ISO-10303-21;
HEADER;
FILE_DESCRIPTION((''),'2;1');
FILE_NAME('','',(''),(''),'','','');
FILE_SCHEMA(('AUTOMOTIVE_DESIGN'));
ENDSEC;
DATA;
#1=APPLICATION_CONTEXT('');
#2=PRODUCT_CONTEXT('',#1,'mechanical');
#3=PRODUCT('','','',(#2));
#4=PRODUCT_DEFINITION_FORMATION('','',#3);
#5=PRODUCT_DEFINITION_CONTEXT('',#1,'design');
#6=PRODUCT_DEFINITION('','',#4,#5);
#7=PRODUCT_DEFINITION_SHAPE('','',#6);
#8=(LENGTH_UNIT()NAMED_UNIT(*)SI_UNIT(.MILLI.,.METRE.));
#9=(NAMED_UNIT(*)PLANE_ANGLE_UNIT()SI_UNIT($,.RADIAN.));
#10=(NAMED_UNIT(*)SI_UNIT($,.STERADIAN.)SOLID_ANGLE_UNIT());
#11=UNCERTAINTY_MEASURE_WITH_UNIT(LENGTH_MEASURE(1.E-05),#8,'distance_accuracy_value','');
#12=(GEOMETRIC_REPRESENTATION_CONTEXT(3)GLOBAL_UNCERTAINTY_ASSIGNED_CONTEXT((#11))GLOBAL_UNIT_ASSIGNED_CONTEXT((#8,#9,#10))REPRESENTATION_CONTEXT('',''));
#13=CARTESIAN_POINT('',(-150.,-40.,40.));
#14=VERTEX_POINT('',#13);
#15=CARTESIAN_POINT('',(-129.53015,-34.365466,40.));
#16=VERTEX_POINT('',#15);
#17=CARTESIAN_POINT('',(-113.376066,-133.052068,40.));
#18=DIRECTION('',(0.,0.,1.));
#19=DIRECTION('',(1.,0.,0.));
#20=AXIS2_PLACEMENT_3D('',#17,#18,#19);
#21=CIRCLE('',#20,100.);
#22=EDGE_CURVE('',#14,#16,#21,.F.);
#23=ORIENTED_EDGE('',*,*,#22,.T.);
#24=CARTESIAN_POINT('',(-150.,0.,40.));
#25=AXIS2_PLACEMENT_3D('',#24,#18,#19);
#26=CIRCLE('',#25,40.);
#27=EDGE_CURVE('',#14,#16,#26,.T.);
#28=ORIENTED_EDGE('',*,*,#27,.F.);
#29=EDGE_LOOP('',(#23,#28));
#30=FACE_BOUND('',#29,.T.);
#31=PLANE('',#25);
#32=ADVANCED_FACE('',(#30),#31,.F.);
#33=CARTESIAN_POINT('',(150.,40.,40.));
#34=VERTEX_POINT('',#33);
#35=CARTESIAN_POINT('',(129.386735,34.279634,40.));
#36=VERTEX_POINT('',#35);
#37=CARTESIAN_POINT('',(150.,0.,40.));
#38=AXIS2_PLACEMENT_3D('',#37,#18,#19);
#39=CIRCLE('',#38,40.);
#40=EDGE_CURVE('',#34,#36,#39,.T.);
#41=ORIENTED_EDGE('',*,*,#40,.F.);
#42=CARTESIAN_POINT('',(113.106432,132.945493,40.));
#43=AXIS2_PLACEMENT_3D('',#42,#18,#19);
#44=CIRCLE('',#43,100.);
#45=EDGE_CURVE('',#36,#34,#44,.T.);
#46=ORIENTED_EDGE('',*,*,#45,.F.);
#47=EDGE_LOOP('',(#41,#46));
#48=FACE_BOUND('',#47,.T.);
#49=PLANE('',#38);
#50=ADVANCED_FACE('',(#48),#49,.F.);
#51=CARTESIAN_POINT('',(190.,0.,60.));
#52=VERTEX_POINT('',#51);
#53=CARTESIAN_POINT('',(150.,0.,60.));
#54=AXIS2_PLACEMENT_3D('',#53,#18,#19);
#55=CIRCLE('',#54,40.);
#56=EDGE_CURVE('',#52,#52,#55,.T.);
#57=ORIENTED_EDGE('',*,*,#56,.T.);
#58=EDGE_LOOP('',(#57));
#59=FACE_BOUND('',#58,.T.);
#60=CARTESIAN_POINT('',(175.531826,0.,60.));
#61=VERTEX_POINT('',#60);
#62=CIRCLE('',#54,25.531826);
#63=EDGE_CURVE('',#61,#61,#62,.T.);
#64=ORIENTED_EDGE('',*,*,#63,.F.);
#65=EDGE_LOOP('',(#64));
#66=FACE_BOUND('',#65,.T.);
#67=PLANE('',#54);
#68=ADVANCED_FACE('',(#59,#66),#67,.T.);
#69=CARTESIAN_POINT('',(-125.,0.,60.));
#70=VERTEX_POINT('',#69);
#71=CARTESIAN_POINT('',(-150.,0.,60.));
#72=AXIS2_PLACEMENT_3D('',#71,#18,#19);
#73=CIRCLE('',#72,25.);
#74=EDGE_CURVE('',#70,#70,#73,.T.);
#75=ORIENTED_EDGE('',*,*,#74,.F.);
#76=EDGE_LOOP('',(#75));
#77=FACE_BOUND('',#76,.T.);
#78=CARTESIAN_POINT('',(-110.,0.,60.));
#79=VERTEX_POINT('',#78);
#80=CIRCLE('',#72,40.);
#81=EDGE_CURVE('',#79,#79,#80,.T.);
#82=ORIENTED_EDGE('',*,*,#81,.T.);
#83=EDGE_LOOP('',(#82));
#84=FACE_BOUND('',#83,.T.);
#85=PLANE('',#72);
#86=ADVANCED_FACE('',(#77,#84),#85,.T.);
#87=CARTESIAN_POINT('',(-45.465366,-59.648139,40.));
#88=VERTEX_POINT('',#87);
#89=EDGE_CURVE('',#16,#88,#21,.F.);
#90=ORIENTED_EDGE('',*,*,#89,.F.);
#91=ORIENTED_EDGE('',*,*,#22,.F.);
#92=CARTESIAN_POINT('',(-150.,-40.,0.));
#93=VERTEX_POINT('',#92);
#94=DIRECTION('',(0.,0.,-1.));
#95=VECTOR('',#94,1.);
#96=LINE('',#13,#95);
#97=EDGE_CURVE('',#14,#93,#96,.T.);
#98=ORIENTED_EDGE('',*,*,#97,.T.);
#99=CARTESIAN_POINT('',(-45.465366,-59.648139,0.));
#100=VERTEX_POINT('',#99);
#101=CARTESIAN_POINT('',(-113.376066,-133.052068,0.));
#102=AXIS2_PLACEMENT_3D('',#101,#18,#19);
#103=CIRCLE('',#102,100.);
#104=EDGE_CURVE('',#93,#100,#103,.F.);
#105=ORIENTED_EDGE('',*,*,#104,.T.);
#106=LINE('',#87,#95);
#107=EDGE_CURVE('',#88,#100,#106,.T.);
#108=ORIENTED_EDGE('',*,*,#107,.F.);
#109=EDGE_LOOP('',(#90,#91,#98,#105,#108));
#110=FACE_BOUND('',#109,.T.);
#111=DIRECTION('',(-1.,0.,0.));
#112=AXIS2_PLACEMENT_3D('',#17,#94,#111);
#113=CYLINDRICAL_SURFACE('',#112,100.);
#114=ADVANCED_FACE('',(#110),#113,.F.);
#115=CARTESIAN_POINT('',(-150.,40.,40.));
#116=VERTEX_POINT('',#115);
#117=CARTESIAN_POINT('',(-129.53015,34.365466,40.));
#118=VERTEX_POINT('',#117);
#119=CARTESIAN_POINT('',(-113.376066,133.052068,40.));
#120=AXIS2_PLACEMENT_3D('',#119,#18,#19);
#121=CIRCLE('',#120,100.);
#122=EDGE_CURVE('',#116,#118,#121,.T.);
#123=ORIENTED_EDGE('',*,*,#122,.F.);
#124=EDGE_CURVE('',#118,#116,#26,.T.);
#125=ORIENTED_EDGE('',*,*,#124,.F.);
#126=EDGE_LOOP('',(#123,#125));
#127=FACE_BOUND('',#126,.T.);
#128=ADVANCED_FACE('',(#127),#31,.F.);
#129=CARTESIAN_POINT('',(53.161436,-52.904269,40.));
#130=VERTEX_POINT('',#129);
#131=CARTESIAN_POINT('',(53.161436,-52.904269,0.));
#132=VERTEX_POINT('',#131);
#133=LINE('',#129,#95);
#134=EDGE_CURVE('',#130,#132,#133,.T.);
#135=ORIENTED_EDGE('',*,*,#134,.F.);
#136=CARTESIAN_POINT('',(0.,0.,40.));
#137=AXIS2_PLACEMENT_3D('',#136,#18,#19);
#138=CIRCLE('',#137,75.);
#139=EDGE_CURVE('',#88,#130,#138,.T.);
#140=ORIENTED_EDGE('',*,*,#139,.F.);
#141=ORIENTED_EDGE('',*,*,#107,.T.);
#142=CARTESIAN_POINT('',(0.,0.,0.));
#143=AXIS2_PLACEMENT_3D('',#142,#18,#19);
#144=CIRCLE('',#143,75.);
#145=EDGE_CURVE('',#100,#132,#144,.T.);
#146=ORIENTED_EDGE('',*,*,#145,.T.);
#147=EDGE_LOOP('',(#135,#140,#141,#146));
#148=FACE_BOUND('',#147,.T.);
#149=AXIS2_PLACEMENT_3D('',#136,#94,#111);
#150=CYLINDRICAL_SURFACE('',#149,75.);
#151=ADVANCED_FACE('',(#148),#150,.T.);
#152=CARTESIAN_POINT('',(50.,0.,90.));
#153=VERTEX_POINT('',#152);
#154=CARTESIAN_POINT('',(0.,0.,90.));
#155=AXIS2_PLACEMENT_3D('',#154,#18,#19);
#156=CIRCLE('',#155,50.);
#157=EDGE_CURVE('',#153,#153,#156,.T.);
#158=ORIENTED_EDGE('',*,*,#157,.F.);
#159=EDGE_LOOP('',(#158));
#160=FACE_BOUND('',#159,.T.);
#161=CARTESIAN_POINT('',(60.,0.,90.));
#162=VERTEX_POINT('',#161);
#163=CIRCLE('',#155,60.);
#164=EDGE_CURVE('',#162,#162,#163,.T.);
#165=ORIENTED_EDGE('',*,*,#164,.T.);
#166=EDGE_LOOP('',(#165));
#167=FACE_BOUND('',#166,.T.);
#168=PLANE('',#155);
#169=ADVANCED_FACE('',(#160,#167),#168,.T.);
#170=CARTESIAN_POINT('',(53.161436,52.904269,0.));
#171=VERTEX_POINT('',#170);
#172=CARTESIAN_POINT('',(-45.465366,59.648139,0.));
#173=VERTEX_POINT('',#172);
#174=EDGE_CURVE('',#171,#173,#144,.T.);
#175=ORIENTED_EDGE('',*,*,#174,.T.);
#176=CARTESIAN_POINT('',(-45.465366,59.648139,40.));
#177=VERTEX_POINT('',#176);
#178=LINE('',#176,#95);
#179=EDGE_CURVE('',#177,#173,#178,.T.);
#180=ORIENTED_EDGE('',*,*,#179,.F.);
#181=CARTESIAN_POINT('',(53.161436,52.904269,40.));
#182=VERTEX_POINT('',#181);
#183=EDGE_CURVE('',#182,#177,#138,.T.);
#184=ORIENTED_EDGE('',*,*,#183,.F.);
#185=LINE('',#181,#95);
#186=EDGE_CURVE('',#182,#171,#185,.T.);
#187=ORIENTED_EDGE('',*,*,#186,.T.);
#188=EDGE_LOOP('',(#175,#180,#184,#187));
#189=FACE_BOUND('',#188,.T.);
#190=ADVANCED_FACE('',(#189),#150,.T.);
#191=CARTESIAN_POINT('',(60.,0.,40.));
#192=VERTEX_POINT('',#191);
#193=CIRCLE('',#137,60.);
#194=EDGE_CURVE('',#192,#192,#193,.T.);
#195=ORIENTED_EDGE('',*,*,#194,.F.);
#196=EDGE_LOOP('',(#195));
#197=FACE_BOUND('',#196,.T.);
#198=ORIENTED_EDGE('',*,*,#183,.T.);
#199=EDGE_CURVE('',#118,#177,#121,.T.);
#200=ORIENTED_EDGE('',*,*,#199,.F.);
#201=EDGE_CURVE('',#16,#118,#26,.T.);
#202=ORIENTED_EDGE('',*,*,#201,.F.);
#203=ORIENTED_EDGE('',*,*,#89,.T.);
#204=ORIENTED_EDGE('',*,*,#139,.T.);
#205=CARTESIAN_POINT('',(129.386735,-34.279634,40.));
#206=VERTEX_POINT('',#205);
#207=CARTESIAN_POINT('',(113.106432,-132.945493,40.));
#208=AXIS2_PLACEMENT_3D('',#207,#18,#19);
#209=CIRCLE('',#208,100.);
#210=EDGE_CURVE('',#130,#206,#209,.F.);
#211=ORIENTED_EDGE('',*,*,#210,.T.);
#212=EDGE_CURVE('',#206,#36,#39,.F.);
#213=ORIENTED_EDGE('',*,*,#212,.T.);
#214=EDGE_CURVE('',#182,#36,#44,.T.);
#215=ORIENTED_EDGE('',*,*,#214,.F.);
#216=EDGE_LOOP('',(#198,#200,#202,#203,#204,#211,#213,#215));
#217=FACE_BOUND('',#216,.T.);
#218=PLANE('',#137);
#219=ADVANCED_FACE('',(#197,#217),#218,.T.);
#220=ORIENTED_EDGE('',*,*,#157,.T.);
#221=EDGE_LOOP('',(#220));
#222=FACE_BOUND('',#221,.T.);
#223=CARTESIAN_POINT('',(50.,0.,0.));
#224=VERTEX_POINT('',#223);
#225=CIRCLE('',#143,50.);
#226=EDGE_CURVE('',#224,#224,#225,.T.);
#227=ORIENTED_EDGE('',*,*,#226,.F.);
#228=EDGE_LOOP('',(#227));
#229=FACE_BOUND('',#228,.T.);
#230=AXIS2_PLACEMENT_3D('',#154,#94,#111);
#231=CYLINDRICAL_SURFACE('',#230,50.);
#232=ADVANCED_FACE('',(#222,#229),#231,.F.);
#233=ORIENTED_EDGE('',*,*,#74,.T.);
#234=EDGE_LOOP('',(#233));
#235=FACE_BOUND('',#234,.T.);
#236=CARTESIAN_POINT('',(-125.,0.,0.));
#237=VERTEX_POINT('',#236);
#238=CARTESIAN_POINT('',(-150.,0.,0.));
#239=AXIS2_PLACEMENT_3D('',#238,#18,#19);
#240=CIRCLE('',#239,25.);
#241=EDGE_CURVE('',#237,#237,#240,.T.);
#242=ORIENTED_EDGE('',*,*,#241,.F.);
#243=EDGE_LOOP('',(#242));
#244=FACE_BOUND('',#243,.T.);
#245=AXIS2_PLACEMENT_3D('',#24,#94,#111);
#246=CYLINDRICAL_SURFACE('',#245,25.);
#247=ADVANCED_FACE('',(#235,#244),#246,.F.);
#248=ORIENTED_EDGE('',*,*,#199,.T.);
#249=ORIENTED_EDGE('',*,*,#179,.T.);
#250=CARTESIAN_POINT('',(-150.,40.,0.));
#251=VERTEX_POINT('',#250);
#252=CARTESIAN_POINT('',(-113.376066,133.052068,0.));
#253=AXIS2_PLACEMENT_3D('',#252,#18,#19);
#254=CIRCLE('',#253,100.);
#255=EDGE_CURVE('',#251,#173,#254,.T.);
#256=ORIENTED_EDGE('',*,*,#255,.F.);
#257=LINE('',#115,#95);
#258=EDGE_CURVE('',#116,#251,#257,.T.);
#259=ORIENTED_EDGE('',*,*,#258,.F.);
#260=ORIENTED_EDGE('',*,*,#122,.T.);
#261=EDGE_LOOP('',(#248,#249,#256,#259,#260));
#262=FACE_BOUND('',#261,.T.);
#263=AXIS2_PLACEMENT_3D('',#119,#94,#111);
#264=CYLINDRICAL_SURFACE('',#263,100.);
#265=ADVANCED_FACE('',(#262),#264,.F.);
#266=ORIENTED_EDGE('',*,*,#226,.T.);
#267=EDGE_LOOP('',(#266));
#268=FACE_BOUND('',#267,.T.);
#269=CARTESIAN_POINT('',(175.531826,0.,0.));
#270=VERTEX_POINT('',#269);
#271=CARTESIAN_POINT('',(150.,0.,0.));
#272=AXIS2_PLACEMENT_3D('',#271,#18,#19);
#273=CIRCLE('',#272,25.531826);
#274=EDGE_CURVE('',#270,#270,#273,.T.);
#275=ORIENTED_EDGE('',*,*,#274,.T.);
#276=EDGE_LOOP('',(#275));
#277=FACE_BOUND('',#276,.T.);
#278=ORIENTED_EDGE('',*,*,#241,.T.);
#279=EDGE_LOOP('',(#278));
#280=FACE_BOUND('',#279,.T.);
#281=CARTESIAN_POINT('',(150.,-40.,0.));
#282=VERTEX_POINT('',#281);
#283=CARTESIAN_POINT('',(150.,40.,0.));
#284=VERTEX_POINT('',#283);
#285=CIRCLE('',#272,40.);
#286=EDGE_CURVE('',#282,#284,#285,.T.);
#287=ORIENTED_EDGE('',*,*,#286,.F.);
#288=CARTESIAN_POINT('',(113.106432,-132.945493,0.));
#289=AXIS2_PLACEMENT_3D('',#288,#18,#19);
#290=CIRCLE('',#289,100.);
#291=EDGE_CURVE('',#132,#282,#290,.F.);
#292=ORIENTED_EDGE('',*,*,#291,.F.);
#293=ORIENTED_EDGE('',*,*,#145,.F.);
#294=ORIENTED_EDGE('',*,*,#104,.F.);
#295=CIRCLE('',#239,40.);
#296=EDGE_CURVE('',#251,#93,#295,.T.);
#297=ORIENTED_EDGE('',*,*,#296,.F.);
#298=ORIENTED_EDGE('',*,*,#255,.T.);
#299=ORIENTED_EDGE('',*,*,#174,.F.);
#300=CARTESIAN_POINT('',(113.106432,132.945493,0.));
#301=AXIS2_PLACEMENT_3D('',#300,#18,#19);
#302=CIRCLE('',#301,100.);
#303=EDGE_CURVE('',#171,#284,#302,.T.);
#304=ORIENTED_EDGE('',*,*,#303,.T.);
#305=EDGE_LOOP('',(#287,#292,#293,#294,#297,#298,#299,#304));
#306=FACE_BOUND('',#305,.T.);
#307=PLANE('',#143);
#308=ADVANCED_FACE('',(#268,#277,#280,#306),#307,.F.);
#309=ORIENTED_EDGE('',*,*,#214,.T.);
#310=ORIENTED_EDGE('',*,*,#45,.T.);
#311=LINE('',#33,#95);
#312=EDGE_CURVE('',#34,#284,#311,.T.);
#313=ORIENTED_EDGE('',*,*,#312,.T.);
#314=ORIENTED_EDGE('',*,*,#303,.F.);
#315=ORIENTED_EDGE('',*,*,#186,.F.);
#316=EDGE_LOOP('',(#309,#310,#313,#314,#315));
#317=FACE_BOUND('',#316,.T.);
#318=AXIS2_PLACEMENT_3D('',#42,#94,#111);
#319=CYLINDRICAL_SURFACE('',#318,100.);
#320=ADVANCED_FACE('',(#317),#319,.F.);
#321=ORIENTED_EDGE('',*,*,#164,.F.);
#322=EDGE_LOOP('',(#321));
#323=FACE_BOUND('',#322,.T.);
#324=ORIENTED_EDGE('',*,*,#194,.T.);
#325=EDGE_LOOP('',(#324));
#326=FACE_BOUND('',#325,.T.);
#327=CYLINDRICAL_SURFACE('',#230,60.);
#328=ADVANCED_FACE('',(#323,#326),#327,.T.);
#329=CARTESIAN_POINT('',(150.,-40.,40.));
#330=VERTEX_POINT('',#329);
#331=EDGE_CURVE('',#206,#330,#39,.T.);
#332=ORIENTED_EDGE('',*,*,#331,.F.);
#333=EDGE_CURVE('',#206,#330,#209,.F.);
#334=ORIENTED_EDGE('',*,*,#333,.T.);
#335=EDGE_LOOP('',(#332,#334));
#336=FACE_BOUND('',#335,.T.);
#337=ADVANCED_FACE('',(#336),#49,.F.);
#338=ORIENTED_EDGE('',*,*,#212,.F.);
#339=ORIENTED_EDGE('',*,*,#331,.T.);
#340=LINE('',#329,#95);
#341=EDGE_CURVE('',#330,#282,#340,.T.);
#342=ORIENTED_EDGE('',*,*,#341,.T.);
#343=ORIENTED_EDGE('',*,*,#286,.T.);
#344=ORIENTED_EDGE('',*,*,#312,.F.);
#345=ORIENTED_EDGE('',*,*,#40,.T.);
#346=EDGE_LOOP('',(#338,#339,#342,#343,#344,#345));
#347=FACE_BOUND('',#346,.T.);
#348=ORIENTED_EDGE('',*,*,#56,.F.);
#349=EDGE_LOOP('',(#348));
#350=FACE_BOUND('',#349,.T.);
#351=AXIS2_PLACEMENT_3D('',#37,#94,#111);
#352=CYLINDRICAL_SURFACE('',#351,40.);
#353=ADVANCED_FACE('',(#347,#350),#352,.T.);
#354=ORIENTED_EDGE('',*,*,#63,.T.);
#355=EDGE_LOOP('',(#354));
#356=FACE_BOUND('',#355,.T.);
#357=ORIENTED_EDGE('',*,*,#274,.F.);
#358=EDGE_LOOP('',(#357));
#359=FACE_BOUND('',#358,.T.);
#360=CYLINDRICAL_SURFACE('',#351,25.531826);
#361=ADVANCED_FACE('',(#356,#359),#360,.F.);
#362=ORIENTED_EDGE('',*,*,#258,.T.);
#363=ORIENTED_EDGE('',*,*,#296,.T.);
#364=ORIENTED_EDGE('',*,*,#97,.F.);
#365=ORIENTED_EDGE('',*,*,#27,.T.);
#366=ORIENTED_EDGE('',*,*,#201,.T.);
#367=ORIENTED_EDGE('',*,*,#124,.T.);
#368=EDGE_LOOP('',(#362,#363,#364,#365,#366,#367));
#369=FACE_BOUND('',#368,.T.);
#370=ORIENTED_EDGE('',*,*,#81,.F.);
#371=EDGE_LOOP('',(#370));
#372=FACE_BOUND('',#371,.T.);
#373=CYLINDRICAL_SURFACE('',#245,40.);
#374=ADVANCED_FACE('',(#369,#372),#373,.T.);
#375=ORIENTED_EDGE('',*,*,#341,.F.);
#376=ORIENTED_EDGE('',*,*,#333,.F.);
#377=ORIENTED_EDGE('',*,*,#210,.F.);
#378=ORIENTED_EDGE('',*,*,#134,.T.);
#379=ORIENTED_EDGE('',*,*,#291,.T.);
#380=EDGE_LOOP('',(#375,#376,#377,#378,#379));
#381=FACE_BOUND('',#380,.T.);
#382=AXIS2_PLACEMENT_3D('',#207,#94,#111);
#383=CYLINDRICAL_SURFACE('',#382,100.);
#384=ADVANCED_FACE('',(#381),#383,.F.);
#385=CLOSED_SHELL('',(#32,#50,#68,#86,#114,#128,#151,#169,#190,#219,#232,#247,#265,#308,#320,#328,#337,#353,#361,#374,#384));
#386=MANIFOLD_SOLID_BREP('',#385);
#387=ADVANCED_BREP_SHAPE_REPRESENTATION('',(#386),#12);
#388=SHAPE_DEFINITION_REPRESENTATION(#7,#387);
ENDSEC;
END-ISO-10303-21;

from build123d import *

# Parameters (mm, degrees)
SKETCH1_R           = 25
SKETCH1_R_2         = 25.531825786
BOSS_EXTRUDE1_DEPTH = 40
SKETCH2_R           = 40
SKETCH2_R_2         = 25
SKETCH2_R_3         = 25.531825786
BOSS_EXTRUDE2_DEPTH = 20
SKETCH3_R           = 60
SKETCH3_R_2         = 50
BOSS_EXTRUDE3_DEPTH = 50
SKETCH4_R           = 50
CUT_EXTRUDE1_DEPTH  = 50


with BuildPart() as part:
    # Sketch1 → Boss-Extrude1 (new body)
    with BuildSketch(Plane.XY):
        with BuildLine():
            ThreePointArc((-150, -40), (-94.903714286, -34.773015604), (-45.465365878, -59.648139163))
            ThreePointArc((-45.465365878, -59.648139163), (5.116377771, -74.825281012), (53.161436396, -52.904269017))
            ThreePointArc((53.161436396, -52.904269017), (99.897642557, -33.821692035), (150, -40))
            ThreePointArc((150, -40), (190, 0), (150, 40))
            ThreePointArc((150, 40), (99.897642557, 33.821692035), (53.161436396, 52.904269017))
            ThreePointArc((53.161436396, 52.904269017), (5.116377771, 74.825281012), (-45.465365878, 59.648139163))
            ThreePointArc((-45.465365878, 59.648139163), (-94.903714286, 34.773015604), (-150, 40))
            ThreePointArc((-150, 40), (-190, 0), (-150, -40))
        make_face()
        with Locations((-150, 0)):
            Circle(SKETCH1_R, mode=Mode.SUBTRACT)
        with Locations((150, 0)):
            Circle(SKETCH1_R_2, mode=Mode.SUBTRACT)
    extrude(amount=BOSS_EXTRUDE1_DEPTH)

    # Sketch2 → Boss-Extrude2 (add)
    with BuildSketch(Plane.XY.offset(40)):
        with Locations((-150, 0)):
            Circle(SKETCH2_R)
        with Locations((-150, 0)):
            Circle(SKETCH2_R_2, mode=Mode.SUBTRACT)
        with Locations((150, 0)):
            Circle(SKETCH2_R)
        with Locations((150, 0)):
            Circle(SKETCH2_R_3, mode=Mode.SUBTRACT)
    extrude(amount=BOSS_EXTRUDE2_DEPTH)

    # Sketch3 → Boss-Extrude3 (add)
    with BuildSketch(Plane.XY.offset(40)):
        Circle(SKETCH3_R)
        Circle(SKETCH3_R_2, mode=Mode.SUBTRACT)
    extrude(amount=BOSS_EXTRUDE3_DEPTH)

    # Sketch4 → Cut-Extrude1 (cut)
    with BuildSketch(Plane.XY.offset(40)):
        Circle(SKETCH4_R)
    extrude(amount=-CUT_EXTRUDE1_DEPTH, mode=Mode.SUBTRACT)


solid = part.part
